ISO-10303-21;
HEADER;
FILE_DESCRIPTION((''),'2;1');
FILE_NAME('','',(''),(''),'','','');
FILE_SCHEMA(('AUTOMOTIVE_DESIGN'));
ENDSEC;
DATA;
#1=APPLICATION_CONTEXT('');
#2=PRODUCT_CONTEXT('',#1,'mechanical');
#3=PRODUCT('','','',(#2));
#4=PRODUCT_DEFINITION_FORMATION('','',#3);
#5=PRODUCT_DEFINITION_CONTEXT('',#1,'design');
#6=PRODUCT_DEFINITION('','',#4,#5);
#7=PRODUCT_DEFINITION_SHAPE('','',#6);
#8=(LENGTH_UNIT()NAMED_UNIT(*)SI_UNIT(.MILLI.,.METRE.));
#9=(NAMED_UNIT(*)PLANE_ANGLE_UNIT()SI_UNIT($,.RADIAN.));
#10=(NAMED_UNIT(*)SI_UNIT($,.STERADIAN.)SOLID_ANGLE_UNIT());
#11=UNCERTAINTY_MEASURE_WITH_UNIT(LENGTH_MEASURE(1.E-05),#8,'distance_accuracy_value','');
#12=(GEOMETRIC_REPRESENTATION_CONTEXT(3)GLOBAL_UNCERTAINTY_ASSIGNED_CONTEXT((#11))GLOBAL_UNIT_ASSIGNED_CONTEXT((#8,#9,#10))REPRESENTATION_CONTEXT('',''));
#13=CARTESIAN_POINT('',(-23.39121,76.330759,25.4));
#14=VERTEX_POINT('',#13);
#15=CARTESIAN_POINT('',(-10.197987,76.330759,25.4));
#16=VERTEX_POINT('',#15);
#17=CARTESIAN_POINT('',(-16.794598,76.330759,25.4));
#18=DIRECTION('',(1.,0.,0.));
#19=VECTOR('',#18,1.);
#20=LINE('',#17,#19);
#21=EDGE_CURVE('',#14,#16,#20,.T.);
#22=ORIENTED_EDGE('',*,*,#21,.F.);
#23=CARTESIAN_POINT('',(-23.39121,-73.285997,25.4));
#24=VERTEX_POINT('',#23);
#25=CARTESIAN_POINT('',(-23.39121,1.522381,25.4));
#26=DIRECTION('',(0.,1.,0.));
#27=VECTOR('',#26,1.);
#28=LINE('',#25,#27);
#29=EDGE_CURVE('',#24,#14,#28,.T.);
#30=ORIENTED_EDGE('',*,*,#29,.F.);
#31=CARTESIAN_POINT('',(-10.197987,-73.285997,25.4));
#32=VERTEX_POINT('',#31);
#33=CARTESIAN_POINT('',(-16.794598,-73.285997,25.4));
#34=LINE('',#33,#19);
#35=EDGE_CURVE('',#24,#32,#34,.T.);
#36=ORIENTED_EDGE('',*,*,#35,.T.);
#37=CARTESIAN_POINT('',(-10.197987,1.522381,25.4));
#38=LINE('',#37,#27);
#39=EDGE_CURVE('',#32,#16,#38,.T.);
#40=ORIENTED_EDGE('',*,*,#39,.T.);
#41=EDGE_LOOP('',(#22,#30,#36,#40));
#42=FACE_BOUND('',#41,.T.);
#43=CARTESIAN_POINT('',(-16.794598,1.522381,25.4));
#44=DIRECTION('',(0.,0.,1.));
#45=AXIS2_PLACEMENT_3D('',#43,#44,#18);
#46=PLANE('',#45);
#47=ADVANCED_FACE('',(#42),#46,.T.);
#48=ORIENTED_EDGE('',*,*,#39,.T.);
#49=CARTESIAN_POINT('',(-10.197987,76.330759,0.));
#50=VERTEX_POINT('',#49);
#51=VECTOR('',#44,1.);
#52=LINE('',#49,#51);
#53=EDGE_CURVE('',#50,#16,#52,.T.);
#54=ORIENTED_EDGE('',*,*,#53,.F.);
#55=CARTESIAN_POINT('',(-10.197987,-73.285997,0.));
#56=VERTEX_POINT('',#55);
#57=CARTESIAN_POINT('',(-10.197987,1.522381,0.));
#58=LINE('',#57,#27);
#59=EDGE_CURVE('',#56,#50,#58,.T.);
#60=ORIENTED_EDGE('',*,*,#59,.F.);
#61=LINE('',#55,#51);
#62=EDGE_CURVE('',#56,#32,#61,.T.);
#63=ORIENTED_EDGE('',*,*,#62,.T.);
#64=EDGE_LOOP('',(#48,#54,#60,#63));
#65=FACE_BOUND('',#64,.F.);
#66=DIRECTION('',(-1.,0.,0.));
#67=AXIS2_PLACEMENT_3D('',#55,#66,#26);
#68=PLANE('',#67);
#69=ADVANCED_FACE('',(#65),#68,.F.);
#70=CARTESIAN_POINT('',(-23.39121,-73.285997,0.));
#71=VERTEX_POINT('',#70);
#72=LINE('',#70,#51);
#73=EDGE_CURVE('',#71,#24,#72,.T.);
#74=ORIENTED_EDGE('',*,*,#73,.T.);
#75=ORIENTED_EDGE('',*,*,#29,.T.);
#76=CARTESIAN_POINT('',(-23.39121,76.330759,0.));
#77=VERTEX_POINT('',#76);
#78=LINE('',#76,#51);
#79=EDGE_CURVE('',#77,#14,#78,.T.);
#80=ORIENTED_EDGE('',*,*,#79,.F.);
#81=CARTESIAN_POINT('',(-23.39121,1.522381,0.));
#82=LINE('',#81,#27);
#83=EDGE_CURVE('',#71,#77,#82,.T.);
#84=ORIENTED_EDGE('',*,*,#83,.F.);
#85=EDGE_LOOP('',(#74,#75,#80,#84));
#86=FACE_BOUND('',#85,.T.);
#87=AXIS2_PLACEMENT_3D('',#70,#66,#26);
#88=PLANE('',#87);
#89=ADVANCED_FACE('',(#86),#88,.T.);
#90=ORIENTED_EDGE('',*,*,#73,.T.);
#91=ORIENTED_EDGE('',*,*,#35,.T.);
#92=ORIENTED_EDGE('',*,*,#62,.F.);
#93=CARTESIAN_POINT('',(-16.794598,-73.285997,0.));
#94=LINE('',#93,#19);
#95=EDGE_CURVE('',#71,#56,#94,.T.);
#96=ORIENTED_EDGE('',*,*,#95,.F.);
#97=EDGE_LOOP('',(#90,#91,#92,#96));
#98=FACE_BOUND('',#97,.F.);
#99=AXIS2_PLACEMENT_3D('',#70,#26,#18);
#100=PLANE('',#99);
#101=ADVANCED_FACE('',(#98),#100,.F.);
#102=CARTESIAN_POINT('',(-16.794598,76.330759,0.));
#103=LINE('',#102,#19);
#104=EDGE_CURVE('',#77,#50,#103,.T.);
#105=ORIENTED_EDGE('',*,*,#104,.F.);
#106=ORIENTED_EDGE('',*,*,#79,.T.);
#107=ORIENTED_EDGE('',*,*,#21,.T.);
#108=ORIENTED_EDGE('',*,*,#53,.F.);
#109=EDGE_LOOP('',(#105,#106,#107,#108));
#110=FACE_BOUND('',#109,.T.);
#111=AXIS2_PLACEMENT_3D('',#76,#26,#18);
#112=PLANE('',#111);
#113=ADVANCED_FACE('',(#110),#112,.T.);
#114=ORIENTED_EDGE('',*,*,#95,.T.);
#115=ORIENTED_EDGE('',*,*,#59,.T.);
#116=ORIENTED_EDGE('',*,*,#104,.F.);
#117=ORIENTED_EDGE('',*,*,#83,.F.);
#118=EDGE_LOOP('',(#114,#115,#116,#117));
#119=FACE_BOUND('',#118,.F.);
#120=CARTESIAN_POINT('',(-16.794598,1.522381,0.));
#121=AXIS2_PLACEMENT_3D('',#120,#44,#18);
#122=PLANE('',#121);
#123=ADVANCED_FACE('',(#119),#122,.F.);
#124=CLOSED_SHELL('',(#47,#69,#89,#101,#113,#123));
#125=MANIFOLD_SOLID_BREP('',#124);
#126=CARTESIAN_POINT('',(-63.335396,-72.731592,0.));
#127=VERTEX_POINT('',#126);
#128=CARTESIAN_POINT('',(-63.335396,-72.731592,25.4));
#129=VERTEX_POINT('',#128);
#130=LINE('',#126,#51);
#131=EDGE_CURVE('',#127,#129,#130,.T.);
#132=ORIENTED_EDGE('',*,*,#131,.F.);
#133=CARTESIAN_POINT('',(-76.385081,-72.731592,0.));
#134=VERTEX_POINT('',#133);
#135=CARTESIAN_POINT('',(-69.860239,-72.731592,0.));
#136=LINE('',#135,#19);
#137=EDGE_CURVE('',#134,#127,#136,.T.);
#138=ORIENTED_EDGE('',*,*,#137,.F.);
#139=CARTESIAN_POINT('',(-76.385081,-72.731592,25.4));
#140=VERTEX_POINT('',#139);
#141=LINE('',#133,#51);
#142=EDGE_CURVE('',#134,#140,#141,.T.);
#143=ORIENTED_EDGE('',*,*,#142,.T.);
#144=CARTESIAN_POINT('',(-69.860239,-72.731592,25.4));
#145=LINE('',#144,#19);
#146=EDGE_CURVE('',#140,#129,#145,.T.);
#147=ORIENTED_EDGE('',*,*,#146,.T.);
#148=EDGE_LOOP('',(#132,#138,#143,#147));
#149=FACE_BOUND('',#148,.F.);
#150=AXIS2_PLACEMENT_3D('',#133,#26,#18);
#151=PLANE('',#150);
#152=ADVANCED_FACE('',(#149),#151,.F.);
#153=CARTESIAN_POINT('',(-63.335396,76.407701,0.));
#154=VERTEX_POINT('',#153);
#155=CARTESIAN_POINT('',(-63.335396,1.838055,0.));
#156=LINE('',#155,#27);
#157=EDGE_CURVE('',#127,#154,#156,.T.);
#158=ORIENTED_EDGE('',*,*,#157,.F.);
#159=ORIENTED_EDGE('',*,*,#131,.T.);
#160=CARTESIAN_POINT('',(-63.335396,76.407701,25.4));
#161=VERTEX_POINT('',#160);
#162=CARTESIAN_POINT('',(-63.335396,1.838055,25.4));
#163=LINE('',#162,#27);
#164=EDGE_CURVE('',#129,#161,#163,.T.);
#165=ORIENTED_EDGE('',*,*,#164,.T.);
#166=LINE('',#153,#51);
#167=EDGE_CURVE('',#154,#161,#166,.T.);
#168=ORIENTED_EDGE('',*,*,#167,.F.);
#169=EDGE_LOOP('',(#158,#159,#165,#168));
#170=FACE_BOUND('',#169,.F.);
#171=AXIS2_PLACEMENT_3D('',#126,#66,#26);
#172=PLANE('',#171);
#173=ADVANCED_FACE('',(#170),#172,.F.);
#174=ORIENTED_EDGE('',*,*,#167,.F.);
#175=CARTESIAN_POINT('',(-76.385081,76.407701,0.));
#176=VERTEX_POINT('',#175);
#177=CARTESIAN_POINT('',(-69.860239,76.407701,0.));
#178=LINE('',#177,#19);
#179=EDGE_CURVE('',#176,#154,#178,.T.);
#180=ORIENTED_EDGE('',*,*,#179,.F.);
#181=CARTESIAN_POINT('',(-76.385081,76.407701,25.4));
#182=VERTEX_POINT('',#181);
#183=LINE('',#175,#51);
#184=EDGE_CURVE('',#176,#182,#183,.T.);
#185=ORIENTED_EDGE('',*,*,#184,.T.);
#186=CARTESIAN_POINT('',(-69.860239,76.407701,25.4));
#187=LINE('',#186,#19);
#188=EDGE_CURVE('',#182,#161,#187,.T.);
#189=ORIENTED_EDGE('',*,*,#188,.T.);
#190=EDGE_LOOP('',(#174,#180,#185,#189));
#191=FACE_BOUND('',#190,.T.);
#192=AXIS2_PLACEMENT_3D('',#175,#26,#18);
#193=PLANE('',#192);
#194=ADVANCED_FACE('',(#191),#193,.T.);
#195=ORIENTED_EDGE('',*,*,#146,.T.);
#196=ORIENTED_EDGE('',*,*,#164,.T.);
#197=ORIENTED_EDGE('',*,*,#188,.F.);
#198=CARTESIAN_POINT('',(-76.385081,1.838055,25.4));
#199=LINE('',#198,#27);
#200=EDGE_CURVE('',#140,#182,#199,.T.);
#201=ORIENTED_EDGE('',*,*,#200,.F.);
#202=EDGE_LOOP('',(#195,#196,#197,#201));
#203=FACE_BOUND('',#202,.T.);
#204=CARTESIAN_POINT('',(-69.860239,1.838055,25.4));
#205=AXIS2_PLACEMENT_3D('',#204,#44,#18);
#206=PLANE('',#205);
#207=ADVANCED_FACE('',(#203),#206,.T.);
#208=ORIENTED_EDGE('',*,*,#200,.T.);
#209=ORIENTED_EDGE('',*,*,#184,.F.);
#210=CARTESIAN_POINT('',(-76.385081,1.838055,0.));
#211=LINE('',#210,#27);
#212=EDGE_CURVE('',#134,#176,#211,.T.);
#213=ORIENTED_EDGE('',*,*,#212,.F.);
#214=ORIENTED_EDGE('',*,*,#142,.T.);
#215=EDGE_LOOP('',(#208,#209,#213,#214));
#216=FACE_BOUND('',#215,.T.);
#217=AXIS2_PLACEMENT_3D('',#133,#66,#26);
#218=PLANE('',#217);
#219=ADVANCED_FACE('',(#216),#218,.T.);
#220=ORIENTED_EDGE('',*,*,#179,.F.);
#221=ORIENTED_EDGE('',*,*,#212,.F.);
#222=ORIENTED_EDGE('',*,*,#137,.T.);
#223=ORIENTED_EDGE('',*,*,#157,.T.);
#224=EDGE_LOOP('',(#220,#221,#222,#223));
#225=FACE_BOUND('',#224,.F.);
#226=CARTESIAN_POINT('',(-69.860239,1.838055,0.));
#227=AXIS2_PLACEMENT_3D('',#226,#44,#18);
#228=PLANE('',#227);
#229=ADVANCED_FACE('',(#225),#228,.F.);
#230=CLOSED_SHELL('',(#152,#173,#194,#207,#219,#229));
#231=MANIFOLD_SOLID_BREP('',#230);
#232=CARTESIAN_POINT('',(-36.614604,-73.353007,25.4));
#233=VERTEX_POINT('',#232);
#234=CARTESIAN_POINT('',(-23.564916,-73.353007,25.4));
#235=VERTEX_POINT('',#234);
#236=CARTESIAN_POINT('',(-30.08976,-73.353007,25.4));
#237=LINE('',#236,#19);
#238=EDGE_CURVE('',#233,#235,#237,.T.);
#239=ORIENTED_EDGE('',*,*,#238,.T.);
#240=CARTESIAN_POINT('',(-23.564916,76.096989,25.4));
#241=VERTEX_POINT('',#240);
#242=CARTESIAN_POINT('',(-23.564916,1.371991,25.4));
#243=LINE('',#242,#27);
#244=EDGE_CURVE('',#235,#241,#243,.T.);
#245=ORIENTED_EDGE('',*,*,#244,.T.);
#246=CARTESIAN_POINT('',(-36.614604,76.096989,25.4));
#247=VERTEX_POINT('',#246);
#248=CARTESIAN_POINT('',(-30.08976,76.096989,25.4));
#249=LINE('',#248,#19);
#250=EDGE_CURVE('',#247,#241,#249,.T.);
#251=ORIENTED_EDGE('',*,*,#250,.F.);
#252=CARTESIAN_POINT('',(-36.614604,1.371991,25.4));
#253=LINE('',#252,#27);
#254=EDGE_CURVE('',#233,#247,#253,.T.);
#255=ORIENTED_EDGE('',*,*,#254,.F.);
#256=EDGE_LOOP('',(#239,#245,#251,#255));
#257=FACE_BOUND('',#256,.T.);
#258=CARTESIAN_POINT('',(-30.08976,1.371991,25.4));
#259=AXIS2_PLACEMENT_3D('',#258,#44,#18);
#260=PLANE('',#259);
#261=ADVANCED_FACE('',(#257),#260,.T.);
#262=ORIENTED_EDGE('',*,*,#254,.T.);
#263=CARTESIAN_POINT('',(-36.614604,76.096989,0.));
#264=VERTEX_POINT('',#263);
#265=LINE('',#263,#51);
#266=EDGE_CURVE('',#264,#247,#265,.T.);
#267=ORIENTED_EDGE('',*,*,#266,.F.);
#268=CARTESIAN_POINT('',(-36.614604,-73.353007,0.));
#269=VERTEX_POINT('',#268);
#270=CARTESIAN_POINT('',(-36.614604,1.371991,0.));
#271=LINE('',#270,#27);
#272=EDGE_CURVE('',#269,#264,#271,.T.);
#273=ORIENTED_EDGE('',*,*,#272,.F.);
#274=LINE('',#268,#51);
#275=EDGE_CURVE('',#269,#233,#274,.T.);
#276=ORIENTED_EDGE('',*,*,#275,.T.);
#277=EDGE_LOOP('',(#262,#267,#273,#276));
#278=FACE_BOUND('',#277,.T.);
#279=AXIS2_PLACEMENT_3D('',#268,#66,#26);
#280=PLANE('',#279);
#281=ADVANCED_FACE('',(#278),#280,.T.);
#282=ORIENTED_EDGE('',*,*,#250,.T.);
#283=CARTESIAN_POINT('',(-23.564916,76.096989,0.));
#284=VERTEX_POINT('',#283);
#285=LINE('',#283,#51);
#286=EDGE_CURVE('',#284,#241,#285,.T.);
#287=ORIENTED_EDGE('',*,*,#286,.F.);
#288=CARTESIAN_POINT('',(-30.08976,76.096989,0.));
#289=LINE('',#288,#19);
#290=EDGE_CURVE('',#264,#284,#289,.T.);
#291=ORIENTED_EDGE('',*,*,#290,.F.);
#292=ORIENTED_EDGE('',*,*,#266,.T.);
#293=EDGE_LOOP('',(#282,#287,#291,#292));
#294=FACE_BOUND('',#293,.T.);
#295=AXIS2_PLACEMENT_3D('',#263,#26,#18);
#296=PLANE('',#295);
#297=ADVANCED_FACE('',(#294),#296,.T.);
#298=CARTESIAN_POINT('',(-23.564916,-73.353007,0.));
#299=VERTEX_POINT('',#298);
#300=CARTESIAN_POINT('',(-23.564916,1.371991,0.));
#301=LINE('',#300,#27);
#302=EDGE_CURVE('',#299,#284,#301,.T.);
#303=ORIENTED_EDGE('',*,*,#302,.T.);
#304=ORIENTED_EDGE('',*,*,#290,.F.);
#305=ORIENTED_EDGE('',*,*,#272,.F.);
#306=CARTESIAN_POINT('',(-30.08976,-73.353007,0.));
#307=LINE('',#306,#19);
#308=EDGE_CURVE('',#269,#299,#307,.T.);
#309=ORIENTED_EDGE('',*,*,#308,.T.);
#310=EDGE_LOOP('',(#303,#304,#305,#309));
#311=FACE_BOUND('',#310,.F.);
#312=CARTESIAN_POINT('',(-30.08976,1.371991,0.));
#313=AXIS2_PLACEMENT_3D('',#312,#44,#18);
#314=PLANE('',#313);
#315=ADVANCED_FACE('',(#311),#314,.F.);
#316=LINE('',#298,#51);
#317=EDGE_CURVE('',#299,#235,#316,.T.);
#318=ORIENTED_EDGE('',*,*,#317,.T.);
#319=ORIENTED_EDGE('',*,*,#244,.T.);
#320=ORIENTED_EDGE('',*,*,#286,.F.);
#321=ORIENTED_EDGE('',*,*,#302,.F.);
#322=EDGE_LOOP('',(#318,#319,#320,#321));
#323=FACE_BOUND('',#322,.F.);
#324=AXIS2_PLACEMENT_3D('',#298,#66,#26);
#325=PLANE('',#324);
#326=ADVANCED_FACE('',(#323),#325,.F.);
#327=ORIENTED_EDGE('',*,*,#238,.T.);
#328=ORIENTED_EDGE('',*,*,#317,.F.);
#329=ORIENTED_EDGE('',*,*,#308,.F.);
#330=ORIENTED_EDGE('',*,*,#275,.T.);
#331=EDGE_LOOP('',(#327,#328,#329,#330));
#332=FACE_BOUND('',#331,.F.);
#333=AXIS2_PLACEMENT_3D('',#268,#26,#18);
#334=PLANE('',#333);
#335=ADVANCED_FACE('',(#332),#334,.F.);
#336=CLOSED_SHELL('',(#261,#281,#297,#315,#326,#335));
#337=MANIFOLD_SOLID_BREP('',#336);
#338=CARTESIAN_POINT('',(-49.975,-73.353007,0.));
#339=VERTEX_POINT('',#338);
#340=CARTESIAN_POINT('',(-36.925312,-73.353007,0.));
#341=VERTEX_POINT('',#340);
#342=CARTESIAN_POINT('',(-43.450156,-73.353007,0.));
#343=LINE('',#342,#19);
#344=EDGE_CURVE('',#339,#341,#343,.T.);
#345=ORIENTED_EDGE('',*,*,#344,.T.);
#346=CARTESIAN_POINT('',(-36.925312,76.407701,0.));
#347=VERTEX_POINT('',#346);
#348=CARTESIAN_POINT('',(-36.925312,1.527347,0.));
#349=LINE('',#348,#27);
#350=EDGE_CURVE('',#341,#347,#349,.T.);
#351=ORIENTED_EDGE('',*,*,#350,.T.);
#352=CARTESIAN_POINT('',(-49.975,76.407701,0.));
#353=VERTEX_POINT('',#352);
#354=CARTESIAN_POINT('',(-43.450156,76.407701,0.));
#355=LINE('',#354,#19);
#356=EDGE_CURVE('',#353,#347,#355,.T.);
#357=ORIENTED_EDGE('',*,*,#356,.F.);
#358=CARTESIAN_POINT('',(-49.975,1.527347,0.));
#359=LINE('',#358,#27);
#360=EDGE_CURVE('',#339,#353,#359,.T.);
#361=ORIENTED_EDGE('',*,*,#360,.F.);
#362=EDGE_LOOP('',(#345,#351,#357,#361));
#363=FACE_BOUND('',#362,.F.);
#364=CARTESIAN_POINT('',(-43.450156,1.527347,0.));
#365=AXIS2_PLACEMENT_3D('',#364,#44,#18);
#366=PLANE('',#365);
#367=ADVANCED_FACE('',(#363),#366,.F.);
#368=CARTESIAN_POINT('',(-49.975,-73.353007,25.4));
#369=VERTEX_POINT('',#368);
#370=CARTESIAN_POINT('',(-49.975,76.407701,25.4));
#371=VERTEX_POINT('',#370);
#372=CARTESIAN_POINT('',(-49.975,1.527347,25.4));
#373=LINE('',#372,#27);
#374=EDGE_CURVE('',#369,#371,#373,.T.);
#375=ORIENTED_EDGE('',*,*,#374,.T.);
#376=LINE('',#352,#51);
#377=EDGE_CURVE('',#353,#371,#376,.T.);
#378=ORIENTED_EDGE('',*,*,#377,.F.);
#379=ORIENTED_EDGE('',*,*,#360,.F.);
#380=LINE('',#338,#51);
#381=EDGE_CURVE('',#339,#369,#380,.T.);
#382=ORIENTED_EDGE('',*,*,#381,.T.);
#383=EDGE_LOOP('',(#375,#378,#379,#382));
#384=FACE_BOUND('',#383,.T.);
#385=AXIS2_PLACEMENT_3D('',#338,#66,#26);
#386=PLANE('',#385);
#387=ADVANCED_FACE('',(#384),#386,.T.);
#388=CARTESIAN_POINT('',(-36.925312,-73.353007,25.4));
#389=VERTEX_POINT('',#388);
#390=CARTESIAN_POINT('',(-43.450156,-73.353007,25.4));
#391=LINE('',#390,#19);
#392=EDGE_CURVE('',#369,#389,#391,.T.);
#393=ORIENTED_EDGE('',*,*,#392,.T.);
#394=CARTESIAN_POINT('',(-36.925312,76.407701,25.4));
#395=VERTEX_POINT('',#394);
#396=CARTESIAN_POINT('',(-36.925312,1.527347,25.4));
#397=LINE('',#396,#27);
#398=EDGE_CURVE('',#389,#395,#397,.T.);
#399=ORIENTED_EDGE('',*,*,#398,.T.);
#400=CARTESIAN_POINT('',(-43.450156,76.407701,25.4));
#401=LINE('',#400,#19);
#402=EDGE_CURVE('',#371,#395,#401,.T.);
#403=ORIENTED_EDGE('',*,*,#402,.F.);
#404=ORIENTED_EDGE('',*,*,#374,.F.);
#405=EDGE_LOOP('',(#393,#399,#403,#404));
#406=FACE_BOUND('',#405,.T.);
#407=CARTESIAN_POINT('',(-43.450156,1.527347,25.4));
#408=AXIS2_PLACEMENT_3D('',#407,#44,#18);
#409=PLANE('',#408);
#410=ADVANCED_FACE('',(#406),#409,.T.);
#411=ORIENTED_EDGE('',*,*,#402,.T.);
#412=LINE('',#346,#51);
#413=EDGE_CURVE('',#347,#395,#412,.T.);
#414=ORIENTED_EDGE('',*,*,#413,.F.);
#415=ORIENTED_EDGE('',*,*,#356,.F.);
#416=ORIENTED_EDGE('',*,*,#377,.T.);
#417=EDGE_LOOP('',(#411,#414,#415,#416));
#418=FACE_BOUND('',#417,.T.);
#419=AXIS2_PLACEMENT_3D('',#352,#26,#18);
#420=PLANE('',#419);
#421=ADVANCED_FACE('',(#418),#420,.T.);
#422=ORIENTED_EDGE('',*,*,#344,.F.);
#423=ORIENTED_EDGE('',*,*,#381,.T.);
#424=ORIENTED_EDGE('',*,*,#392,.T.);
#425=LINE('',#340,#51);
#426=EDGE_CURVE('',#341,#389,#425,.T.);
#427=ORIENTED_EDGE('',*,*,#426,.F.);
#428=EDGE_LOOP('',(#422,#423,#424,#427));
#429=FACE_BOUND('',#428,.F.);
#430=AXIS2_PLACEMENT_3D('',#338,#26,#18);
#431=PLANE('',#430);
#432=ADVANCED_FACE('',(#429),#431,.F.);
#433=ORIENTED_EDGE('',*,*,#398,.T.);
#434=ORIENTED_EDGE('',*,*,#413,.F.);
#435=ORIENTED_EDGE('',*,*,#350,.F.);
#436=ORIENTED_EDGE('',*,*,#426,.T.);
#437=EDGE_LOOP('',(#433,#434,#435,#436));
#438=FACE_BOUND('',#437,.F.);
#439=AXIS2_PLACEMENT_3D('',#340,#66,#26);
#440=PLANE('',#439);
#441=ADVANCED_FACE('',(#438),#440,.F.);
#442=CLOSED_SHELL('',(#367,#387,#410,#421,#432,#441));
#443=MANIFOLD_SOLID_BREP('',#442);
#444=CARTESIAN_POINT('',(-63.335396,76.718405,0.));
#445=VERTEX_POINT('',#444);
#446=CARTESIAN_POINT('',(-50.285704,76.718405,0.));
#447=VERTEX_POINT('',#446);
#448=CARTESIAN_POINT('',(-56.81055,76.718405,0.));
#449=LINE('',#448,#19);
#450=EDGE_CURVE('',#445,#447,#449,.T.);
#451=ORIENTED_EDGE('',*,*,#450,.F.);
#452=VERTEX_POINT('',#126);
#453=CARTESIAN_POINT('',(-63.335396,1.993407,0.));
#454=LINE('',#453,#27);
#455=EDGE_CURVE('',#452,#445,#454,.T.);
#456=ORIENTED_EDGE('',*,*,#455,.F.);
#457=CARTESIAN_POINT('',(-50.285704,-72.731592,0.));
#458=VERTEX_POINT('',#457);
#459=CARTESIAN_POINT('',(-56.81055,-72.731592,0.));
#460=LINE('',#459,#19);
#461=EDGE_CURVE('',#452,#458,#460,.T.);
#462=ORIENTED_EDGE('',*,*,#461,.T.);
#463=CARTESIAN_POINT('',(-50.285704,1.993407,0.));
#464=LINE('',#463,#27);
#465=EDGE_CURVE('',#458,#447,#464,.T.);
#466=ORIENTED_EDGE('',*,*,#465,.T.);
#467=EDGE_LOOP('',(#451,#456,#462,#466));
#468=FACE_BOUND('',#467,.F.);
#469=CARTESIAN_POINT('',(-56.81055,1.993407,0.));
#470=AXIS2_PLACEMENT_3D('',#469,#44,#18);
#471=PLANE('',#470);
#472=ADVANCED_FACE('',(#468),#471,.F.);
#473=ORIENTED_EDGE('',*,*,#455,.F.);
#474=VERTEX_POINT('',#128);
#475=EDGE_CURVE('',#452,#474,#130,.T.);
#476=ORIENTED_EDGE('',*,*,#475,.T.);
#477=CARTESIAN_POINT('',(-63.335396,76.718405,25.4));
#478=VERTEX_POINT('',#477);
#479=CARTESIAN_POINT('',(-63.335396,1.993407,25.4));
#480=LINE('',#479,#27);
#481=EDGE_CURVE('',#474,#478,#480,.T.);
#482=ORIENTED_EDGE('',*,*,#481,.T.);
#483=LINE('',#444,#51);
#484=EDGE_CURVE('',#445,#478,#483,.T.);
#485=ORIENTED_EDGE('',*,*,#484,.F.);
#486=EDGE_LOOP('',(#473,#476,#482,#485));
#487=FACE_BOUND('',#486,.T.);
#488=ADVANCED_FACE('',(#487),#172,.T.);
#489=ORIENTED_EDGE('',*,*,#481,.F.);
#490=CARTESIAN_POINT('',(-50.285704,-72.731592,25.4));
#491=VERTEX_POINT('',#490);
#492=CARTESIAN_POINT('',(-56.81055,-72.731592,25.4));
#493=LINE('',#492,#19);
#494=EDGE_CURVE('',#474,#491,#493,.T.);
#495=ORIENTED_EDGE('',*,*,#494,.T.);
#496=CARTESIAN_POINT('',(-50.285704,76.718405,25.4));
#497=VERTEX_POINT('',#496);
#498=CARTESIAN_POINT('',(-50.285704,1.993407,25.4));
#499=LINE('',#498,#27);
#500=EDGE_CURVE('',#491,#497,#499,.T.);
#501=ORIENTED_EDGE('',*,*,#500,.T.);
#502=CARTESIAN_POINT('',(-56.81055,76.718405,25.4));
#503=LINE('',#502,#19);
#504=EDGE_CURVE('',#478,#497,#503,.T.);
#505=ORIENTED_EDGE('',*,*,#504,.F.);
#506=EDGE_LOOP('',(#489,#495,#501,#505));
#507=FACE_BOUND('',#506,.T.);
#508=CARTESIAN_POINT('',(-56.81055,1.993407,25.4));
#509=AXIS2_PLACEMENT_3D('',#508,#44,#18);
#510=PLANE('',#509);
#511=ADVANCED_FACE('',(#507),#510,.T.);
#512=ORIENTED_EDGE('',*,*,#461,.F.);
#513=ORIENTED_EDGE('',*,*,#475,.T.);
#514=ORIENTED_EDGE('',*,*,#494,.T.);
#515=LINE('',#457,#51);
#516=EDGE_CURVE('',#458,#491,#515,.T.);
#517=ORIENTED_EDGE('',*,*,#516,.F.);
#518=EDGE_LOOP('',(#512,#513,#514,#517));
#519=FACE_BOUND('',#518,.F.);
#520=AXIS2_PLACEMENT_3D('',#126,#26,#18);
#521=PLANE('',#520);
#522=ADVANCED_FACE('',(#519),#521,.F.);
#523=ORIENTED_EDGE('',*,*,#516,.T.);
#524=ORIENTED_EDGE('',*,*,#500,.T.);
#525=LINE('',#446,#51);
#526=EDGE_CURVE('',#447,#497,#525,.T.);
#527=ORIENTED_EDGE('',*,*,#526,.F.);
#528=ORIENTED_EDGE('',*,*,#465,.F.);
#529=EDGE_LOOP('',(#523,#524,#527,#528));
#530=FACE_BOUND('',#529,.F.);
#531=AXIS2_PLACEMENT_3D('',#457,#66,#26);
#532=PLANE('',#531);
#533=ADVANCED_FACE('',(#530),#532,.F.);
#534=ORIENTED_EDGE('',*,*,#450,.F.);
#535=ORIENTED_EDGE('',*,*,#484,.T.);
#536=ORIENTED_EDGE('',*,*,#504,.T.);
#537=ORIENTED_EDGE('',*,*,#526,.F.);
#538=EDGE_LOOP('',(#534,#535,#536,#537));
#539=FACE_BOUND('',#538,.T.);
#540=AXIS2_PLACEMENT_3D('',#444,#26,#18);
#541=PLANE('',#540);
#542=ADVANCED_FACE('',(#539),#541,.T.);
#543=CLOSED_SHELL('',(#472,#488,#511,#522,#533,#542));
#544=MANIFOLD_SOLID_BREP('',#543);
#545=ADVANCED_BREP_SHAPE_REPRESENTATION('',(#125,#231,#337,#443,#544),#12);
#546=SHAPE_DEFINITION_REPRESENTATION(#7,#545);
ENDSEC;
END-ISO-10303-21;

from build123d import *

# Parameters (mm, degrees)
F0_W     = 13.0496844649
F0_H     = 149.1392925382
F5_DEPTH = 25.4
F1_W     = 13.0496919155
F1_H     = 149.4499966502
F2_W     = 13.0496881902
F2_H     = 149.4499966502
F3_W     = 13.0496881902
F3_H     = 149.7607082129
F4_W     = 13.1932226941
F4_H     = 149.6167555451


with BuildPart() as f5:
    # F0 (on Top) → F5 (new body)
    with BuildSketch(Plane.XY):
        with Locations((-69.8602385819, 1.838054508)):
            Rectangle(F0_W, F0_H)
    extrude(amount=F5_DEPTH)


with BuildPart() as f5b:
    # F1 (on Top) → F5, piece 2 (new body)
    with BuildSketch(Plane.XY):
        with Locations((-56.8105503917, 1.993406564)):
            Rectangle(F1_W, F1_H)
    extrude(amount=F5_DEPTH)


with BuildPart() as f5c:
    # F2 (on Top) → F5, piece 3 (new body)
    with BuildSketch(Plane.XY):
        with Locations((-30.0897601992, 1.3719908893)):
            Rectangle(F2_W, F2_H)
    extrude(amount=F5_DEPTH)


with BuildPart() as f5d:
    # F3 (on Top) → F5, piece 4 (new body)
    with BuildSketch(Plane.XY):
        with Locations((-43.4501562268, 1.5273466706)):
            Rectangle(F3_W, F3_H)
    extrude(amount=F5_DEPTH)


with BuildPart() as f5e:
    # F4 (on Top) → F5, piece 5 (new body)
    with BuildSketch(Plane.XY):
        with Locations((-16.7945981957, 1.5223808587)):
            Rectangle(F4_W, F4_H)
    extrude(amount=F5_DEPTH)


solid = Compound([f5.part, f5b.part, f5c.part, f5d.part, f5e.part])
